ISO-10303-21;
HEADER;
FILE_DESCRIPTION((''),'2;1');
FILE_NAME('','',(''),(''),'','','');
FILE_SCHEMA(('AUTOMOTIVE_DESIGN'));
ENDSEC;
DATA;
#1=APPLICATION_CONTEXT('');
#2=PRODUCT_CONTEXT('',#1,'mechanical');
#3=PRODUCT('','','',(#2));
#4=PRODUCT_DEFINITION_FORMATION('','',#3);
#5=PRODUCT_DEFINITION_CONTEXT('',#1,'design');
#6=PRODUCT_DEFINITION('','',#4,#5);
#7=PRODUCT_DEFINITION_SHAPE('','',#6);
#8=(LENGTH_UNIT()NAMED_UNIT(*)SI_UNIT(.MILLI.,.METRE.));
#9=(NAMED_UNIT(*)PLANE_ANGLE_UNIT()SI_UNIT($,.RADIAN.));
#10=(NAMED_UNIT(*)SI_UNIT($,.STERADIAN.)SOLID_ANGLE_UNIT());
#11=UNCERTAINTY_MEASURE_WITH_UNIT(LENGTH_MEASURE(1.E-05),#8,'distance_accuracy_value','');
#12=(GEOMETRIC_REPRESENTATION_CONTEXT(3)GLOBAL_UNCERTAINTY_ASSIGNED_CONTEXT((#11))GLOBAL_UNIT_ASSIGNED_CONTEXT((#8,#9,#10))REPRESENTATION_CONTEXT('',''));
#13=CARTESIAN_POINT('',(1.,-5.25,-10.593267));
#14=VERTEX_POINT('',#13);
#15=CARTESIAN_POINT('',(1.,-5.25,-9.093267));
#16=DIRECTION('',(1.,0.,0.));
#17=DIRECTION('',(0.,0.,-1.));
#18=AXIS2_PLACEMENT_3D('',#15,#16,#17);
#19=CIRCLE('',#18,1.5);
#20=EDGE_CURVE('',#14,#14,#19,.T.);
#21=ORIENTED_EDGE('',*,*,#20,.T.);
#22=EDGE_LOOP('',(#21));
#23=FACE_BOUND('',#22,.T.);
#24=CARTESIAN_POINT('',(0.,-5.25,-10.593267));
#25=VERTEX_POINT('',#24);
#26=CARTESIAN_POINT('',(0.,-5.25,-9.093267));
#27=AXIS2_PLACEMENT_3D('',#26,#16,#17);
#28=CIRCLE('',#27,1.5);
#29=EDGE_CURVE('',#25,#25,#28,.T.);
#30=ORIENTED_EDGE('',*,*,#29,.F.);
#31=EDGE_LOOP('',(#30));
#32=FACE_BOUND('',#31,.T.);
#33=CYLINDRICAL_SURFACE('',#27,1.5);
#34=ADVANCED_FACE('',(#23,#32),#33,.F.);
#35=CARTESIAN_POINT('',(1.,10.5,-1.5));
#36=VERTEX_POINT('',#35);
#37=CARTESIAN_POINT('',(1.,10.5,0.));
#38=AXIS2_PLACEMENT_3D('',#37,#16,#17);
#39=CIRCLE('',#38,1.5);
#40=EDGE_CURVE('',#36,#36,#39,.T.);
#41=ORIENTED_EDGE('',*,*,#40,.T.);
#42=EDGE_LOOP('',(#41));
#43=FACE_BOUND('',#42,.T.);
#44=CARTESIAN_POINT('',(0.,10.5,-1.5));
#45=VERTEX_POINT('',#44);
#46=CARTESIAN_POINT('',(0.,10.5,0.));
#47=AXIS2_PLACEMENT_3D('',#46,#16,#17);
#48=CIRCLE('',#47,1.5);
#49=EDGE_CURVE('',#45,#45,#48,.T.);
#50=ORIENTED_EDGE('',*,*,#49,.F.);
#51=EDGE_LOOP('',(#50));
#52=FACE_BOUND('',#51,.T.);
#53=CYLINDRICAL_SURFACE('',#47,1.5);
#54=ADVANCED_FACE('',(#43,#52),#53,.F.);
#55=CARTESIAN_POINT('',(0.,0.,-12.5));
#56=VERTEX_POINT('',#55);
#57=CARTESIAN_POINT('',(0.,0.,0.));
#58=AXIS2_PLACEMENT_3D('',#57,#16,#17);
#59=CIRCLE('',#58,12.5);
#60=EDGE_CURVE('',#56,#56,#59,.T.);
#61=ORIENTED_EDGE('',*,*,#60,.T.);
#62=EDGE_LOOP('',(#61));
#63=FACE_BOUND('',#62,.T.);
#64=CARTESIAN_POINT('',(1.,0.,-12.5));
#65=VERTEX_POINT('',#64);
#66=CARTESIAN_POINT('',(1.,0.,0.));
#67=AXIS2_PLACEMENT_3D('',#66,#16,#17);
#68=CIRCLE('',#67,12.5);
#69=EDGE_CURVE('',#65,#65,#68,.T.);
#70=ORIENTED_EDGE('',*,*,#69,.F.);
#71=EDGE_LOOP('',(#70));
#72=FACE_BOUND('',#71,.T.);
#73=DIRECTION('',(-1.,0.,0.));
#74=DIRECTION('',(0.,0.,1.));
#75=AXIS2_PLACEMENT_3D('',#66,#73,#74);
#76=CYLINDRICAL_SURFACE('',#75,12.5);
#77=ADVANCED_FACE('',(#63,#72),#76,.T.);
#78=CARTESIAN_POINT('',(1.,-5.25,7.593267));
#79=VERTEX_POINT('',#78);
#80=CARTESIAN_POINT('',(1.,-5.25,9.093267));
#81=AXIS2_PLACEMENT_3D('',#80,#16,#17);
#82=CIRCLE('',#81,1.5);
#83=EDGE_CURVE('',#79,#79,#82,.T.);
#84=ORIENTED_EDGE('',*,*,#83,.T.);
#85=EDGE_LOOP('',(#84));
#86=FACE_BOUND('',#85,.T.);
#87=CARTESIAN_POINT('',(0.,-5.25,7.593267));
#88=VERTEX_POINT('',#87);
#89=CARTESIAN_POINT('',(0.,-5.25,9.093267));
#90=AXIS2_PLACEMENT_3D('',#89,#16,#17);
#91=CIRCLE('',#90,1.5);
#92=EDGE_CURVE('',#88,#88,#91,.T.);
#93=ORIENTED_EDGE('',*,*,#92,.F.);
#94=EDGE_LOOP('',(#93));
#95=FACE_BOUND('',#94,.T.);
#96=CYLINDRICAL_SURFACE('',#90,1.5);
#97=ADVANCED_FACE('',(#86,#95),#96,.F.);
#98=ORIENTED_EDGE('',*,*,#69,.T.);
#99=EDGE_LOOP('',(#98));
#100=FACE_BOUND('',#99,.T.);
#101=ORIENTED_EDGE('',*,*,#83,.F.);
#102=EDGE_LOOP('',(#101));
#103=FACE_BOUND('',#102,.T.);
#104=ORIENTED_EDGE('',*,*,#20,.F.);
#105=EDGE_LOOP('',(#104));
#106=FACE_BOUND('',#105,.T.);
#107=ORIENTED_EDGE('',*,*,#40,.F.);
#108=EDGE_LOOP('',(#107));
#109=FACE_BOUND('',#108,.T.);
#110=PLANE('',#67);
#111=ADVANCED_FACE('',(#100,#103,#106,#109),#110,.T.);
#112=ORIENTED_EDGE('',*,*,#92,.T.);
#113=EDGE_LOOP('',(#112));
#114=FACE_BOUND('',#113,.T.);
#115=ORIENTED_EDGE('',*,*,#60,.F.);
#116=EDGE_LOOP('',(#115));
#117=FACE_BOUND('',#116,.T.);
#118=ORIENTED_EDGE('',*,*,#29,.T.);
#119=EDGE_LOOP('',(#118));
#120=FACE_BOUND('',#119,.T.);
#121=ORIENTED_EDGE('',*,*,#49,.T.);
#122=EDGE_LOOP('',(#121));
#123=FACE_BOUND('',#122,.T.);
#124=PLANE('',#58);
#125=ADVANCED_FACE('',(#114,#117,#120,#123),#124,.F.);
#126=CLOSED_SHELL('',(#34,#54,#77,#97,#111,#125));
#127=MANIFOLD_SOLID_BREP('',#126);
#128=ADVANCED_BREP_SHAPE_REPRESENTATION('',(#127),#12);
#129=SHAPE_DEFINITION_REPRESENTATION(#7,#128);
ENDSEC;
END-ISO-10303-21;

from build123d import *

# Parameters (mm, degrees)
ESQUISSE1_R             = 12.5
BOSS_EXTRU_1_DEPTH      = 1
ESQUISSE2_R             = 1.5
ENL_V_MAT_EXTRU_1_DEPTH = 1


with BuildPart() as part:
    # Esquisse1 → Boss.-Extru.1 (new body)
    with BuildSketch(Plane(origin=(0, 0, 0), x_dir=(0, 0, -1), z_dir=(1, 0, 0))):
        Circle(ESQUISSE1_R)
    extrude(amount=BOSS_EXTRU_1_DEPTH)

    # Esquisse2 → Enlèv. mat.-Extru.1 (cut)
    with BuildSketch(Plane(origin=(1, 0, 0), x_dir=(0, 0, -1), z_dir=(1, 0, 0))):
        with Locations((0, 10.5)):
            Circle(ESQUISSE2_R)
        with Locations((9.09326674, -5.25)):
            Circle(ESQUISSE2_R)
        with Locations((-9.09326674, -5.25)):
            Circle(ESQUISSE2_R)
    extrude(amount=-ENL_V_MAT_EXTRU_1_DEPTH, mode=Mode.SUBTRACT)


solid = part.part
